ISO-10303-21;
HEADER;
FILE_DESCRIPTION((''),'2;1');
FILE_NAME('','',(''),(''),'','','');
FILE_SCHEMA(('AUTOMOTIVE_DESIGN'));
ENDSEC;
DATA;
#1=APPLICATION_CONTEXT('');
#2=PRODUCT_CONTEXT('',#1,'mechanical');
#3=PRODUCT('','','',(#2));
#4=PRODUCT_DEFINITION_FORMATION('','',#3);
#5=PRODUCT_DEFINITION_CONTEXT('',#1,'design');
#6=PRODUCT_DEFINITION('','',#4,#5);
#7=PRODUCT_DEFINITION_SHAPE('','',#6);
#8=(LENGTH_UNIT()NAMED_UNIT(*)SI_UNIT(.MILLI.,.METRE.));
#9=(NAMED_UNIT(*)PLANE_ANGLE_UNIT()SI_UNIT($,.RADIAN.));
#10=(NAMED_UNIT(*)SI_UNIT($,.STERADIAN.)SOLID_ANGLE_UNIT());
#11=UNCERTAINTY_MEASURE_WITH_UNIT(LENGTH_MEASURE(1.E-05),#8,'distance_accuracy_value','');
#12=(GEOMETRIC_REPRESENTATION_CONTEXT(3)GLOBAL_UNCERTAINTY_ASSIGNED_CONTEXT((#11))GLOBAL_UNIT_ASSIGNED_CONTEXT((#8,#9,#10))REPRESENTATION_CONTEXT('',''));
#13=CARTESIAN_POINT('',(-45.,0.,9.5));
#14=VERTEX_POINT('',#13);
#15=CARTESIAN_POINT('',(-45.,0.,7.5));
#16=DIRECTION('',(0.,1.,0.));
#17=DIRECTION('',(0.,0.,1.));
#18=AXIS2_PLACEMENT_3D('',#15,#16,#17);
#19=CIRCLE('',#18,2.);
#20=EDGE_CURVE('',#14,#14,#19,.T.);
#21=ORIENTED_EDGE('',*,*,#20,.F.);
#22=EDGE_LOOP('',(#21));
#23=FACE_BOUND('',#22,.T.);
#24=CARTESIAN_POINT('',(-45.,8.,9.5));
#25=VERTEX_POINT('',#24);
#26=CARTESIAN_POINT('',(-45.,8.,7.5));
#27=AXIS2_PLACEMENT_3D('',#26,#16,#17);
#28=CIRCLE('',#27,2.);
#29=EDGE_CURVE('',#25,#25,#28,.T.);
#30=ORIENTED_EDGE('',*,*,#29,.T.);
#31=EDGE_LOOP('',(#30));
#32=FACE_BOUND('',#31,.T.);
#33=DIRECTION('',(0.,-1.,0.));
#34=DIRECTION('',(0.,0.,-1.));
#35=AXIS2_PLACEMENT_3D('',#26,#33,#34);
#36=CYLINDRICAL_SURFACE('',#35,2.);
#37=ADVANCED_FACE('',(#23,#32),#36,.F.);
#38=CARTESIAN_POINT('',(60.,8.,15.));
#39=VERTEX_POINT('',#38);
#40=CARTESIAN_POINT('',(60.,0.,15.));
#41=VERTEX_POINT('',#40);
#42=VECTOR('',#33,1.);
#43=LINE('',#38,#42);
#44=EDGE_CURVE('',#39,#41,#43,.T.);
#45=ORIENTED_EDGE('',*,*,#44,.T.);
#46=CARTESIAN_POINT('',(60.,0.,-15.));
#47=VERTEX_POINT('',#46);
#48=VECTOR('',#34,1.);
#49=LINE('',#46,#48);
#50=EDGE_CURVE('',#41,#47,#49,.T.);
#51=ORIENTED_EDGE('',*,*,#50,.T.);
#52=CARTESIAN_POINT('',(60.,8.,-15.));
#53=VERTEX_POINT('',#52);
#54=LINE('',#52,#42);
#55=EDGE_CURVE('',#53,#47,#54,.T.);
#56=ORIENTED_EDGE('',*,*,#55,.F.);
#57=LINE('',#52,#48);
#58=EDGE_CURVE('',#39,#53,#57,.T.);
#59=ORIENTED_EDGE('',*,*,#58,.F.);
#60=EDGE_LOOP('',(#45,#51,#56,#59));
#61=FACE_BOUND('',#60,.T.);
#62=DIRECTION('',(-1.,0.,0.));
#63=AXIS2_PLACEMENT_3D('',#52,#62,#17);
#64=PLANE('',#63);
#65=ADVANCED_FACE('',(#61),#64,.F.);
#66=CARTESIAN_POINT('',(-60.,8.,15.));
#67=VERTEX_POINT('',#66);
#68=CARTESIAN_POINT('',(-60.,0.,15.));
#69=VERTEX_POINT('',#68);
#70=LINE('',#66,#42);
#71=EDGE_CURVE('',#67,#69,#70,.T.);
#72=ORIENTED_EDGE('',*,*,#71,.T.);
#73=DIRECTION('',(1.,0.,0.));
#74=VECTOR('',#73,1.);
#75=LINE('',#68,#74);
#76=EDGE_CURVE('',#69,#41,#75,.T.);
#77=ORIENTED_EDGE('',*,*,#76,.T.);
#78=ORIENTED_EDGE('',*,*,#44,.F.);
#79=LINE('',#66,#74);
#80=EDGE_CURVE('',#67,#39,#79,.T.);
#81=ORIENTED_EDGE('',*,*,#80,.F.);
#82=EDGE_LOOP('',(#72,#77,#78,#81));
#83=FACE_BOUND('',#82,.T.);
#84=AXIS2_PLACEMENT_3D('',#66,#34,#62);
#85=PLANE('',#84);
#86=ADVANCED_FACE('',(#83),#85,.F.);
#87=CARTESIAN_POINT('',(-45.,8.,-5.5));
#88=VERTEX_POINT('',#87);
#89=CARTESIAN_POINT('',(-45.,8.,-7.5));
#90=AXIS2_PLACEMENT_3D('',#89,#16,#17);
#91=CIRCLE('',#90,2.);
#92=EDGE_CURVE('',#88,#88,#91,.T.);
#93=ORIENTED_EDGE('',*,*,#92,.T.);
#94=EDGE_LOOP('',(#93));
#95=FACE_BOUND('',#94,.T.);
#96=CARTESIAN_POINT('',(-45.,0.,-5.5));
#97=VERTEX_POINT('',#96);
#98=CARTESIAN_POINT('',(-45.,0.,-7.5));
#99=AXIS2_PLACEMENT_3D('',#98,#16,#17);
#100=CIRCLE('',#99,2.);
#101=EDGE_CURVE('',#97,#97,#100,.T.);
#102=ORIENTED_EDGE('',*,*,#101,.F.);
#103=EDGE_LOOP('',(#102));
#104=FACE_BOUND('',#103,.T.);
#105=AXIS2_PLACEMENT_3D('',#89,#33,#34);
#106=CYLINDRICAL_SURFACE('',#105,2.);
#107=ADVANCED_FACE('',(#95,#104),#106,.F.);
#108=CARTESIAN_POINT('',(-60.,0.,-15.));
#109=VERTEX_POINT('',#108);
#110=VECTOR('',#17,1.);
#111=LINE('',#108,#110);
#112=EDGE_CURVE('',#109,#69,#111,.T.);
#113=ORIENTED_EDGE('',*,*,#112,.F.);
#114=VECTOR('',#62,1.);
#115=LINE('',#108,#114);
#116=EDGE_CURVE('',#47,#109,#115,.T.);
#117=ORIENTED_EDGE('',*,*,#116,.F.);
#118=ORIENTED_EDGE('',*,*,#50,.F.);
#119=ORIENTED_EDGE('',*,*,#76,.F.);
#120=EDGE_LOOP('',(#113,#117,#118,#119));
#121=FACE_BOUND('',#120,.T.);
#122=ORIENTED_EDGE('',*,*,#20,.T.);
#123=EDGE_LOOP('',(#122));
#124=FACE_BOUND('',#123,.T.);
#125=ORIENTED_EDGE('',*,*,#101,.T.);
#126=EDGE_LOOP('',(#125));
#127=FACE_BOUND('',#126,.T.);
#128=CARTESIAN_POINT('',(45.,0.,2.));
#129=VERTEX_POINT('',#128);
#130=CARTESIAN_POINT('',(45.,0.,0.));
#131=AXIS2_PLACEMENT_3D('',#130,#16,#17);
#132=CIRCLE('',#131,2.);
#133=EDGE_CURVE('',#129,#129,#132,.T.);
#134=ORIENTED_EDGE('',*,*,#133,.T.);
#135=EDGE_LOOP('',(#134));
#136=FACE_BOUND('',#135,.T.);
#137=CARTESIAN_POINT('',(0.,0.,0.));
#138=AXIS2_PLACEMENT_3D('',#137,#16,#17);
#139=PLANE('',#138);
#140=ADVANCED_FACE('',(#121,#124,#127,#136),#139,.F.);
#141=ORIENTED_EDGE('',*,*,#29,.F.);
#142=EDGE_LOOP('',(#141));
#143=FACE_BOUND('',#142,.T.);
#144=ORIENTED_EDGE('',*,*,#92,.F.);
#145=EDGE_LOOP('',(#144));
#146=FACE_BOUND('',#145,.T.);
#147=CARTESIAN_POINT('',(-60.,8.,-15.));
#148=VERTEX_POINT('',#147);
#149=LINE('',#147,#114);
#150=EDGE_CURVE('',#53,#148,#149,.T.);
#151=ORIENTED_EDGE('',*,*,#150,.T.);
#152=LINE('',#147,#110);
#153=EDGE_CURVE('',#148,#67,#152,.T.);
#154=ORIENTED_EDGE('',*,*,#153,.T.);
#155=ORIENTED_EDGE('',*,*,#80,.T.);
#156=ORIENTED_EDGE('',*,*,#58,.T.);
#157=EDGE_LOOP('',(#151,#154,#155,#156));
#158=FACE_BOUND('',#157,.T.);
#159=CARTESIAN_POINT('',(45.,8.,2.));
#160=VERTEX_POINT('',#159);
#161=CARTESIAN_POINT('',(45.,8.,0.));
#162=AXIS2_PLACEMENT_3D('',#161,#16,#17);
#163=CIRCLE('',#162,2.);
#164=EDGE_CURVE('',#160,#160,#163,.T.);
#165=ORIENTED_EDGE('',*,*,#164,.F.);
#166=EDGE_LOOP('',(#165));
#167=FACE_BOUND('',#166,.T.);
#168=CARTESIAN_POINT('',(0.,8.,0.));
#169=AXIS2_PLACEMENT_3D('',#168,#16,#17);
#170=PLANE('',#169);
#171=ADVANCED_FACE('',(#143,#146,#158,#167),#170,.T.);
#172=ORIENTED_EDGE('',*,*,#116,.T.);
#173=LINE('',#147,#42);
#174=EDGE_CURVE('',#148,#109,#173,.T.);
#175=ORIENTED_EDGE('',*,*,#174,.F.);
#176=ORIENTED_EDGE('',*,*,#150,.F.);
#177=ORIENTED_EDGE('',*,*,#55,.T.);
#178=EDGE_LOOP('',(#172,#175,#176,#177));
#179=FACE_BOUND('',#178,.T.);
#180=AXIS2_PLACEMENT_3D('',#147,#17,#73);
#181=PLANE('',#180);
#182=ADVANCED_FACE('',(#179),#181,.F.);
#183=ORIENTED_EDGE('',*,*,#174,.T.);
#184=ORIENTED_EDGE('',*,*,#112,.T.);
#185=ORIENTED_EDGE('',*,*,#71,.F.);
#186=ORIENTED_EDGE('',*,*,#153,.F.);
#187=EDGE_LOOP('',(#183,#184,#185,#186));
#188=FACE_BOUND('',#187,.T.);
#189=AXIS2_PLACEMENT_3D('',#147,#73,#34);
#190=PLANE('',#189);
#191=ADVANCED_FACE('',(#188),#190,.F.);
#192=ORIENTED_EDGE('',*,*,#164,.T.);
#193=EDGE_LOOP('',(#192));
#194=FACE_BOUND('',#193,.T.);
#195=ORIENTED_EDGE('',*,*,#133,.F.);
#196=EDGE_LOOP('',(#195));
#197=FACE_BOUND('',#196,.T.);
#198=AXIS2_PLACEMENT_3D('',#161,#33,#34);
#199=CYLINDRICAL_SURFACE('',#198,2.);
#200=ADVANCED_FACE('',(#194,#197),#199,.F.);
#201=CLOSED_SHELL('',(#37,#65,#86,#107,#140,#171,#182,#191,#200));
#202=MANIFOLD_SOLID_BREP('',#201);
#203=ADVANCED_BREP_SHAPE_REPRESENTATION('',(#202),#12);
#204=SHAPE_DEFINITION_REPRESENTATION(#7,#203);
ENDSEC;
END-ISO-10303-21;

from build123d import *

# Parameters (mm, degrees)
SKETCH1_W           = 120
SKETCH1_H           = 30
SKETCH1_R           = 2
BOSS_EXTRUDE1_DEPTH = 8


with BuildPart() as part:
    # Sketch1 → Boss-Extrude1 (new body)
    with BuildSketch(Plane(origin=(0, 0, 0), x_dir=(1, 0, 0), z_dir=(0, 1, 0))):
        Rectangle(SKETCH1_W, SKETCH1_H)
        with Locations(Location((45, 0, 0), (0, 0, 270))):
            Circle(SKETCH1_R, mode=Mode.SUBTRACT)
        with Locations(Location((-45, -7.5, 0), (0, 0, 270))):
            Circle(SKETCH1_R, mode=Mode.SUBTRACT)
        with Locations(Location((-45, 7.5, 0), (0, 0, 270))):
            Circle(SKETCH1_R, mode=Mode.SUBTRACT)
    extrude(amount=BOSS_EXTRUDE1_DEPTH)


solid = part.part
